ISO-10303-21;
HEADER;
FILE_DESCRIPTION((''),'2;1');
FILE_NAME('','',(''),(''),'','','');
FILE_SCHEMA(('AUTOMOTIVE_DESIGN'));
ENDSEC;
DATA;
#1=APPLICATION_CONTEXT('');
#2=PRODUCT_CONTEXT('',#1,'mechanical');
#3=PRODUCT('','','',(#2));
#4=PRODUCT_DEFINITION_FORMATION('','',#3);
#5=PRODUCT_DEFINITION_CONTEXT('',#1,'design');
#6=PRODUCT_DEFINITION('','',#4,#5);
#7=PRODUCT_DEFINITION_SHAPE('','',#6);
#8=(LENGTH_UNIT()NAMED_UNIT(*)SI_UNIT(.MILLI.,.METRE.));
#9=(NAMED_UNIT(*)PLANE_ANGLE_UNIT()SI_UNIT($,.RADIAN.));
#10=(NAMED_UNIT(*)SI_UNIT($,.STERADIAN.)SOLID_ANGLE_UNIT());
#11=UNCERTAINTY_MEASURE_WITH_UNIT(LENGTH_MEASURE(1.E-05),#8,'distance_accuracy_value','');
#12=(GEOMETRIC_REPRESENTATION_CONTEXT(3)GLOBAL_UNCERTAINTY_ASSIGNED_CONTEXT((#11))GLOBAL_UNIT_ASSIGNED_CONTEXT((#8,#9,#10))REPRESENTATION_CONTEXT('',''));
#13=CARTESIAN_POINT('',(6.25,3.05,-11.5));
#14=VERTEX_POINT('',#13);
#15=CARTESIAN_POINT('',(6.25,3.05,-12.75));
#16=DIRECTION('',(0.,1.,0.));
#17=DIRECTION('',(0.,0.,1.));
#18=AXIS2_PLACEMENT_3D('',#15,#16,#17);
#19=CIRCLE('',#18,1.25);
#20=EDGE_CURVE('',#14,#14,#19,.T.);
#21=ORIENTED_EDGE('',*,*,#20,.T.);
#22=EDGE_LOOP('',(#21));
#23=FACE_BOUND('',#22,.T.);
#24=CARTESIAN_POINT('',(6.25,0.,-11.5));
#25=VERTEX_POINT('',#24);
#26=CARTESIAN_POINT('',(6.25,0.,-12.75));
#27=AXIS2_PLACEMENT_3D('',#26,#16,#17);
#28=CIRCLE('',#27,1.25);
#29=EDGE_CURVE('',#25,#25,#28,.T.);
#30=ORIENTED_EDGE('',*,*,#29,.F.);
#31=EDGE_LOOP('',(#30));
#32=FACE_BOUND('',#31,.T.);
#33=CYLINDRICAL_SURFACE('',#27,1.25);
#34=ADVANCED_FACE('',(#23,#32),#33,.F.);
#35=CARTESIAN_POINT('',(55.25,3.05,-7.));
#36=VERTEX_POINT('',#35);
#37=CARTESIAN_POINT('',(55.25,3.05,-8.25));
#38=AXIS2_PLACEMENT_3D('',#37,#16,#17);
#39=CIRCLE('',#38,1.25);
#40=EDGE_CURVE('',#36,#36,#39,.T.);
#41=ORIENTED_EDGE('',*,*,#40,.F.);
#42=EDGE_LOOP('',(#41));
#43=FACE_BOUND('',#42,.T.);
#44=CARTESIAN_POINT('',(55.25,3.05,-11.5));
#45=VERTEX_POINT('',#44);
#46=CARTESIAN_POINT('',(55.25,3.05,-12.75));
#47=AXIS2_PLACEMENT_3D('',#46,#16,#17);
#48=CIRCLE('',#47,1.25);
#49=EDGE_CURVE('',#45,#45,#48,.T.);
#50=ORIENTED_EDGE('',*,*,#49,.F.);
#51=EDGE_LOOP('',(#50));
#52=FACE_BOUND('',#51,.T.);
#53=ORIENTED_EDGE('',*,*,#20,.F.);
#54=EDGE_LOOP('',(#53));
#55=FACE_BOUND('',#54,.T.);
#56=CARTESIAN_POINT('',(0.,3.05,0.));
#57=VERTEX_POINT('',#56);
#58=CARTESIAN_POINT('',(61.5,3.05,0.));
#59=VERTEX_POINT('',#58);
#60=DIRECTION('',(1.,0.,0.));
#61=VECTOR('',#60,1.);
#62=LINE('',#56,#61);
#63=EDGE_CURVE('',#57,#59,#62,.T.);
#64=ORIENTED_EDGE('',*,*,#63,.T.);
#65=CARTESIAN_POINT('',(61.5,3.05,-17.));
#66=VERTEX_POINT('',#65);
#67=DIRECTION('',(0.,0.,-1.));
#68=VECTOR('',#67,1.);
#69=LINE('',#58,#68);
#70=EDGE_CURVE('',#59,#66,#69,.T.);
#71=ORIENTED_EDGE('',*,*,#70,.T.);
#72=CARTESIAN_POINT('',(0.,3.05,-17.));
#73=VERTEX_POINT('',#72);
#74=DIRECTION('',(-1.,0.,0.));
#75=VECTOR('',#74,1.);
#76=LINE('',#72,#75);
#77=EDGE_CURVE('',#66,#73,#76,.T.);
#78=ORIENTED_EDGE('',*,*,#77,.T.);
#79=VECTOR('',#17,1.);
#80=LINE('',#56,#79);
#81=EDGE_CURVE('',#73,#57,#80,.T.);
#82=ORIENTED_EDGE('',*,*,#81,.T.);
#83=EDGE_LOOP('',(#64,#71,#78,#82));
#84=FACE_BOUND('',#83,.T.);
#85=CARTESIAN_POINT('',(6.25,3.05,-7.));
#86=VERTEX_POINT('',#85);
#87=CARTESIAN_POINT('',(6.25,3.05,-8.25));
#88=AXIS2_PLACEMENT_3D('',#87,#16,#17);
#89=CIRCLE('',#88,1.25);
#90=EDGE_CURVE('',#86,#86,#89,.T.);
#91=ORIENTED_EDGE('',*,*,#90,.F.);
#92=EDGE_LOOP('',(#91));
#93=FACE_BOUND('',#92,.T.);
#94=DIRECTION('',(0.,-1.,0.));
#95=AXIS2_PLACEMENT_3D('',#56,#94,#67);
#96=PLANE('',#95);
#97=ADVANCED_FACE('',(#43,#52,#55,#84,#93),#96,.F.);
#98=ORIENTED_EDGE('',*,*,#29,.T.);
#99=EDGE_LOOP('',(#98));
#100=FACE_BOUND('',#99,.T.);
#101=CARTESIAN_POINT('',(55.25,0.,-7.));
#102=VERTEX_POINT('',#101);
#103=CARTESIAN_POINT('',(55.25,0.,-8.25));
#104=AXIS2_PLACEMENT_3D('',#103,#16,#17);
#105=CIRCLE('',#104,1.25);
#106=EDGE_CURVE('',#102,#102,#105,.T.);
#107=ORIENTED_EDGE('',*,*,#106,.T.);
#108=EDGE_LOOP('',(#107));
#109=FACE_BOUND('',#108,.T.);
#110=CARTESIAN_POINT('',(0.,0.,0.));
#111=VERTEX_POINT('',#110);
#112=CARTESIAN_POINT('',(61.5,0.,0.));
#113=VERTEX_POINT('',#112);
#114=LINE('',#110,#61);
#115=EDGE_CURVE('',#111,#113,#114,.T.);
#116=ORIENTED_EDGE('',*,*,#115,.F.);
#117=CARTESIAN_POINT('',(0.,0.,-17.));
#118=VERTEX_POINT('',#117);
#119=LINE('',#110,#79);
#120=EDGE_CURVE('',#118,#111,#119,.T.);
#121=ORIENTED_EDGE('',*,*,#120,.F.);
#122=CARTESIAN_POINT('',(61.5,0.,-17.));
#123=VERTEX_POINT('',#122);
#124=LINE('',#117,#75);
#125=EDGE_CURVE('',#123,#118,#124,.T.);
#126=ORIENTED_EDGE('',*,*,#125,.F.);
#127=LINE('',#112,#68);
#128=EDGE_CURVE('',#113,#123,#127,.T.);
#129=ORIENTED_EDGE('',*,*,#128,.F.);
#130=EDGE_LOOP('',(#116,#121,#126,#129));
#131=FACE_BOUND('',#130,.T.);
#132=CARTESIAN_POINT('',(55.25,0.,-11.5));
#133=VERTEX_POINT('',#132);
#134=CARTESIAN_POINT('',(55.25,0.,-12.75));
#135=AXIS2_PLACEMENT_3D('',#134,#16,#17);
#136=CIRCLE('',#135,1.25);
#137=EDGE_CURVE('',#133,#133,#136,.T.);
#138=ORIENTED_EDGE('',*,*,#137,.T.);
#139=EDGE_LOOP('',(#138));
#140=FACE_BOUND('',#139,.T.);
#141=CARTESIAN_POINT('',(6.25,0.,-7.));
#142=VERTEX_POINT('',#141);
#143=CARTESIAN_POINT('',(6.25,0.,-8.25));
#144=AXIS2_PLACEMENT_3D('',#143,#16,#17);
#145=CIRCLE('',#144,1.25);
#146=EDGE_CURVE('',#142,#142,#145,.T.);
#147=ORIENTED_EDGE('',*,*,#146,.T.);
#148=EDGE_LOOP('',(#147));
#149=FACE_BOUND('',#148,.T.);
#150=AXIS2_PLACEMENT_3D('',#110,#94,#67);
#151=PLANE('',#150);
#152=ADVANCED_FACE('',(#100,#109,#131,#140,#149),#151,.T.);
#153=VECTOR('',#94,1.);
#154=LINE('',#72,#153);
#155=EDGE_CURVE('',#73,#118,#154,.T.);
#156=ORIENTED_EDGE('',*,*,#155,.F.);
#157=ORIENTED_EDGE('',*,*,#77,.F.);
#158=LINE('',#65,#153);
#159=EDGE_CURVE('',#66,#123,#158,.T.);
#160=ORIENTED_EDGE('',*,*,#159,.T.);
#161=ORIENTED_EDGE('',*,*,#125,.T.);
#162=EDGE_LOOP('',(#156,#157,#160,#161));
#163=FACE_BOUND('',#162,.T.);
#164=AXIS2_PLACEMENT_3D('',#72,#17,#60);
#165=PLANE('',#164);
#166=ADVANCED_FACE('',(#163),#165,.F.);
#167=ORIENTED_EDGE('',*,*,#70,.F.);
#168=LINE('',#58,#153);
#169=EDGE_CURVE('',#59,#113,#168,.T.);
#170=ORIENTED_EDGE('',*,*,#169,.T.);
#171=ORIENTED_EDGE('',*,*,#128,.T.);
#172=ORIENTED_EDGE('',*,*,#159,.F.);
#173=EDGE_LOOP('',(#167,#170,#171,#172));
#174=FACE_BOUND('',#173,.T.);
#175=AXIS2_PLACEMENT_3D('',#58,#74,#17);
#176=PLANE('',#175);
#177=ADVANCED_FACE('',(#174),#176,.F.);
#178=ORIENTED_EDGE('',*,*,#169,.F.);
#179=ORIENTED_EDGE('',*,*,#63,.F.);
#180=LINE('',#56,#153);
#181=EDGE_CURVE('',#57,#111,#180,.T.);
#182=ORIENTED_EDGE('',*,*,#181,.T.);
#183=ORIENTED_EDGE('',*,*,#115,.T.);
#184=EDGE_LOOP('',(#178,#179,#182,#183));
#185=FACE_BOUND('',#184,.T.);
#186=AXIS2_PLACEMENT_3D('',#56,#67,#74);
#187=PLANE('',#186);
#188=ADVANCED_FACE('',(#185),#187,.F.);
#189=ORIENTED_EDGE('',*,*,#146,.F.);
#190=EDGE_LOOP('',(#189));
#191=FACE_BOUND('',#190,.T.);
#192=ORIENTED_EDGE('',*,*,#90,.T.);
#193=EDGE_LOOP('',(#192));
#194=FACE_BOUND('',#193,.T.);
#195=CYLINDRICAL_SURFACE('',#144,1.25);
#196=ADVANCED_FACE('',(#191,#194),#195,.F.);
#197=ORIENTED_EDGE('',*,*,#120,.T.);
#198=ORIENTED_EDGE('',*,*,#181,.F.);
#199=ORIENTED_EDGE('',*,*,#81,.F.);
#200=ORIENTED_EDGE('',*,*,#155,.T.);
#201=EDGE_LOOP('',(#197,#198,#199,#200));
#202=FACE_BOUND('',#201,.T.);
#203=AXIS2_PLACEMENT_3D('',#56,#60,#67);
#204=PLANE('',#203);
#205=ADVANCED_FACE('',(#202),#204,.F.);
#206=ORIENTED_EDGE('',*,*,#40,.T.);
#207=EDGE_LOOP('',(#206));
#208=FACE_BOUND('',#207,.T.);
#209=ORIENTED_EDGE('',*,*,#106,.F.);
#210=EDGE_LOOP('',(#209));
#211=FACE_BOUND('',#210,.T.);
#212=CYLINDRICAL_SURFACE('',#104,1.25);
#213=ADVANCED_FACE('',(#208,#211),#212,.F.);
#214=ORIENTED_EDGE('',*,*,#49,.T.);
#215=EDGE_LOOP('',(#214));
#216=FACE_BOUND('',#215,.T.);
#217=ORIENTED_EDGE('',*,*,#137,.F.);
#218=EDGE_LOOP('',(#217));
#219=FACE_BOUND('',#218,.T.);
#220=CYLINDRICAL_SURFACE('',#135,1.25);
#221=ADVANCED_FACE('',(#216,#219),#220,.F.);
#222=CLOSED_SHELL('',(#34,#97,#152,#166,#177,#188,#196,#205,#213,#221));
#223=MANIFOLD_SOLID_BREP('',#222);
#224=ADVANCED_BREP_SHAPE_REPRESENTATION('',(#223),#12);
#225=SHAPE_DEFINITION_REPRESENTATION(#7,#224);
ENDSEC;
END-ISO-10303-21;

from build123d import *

# Parameters (mm, degrees)
SKETCH3_W           = 61.5
SKETCH3_H           = 17
BOSS_EXTRUDE1_DEPTH = 3.05
SKETCH4_R           = 1.25
CUT_EXTRUDE1_DEPTH  = 64.879202406


with BuildPart() as part:
    # Sketch3 → Boss-Extrude1 (new body)
    with BuildSketch(Plane(origin=(0, 0, 0), x_dir=(1, 0, 0), z_dir=(0, 1, 0))):
        with Locations((30.75, 8.5)):
            Rectangle(SKETCH3_W, SKETCH3_H)
    extrude(amount=BOSS_EXTRUDE1_DEPTH)

    # Sketch4 → Cut-Extrude1 (cut, through all)
    with BuildSketch(Plane(origin=(0, 3.05, 0), x_dir=(1, 0, 0), z_dir=(0, 1, 0))):
        with Locations(Location((6.25, 12.75, 0), (0, 0, 270))):
            Circle(SKETCH4_R)
        with Locations(Location((6.25, 8.25, 0), (0, 0, 270))):
            Circle(SKETCH4_R)
        with Locations(Location((55.25, 12.75, 0), (0, 0, 270))):
            Circle(SKETCH4_R)
        with Locations(Location((55.25, 8.25, 0), (0, 0, 270))):
            Circle(SKETCH4_R)
    extrude(amount=-CUT_EXTRUDE1_DEPTH, mode=Mode.SUBTRACT)


solid = part.part
